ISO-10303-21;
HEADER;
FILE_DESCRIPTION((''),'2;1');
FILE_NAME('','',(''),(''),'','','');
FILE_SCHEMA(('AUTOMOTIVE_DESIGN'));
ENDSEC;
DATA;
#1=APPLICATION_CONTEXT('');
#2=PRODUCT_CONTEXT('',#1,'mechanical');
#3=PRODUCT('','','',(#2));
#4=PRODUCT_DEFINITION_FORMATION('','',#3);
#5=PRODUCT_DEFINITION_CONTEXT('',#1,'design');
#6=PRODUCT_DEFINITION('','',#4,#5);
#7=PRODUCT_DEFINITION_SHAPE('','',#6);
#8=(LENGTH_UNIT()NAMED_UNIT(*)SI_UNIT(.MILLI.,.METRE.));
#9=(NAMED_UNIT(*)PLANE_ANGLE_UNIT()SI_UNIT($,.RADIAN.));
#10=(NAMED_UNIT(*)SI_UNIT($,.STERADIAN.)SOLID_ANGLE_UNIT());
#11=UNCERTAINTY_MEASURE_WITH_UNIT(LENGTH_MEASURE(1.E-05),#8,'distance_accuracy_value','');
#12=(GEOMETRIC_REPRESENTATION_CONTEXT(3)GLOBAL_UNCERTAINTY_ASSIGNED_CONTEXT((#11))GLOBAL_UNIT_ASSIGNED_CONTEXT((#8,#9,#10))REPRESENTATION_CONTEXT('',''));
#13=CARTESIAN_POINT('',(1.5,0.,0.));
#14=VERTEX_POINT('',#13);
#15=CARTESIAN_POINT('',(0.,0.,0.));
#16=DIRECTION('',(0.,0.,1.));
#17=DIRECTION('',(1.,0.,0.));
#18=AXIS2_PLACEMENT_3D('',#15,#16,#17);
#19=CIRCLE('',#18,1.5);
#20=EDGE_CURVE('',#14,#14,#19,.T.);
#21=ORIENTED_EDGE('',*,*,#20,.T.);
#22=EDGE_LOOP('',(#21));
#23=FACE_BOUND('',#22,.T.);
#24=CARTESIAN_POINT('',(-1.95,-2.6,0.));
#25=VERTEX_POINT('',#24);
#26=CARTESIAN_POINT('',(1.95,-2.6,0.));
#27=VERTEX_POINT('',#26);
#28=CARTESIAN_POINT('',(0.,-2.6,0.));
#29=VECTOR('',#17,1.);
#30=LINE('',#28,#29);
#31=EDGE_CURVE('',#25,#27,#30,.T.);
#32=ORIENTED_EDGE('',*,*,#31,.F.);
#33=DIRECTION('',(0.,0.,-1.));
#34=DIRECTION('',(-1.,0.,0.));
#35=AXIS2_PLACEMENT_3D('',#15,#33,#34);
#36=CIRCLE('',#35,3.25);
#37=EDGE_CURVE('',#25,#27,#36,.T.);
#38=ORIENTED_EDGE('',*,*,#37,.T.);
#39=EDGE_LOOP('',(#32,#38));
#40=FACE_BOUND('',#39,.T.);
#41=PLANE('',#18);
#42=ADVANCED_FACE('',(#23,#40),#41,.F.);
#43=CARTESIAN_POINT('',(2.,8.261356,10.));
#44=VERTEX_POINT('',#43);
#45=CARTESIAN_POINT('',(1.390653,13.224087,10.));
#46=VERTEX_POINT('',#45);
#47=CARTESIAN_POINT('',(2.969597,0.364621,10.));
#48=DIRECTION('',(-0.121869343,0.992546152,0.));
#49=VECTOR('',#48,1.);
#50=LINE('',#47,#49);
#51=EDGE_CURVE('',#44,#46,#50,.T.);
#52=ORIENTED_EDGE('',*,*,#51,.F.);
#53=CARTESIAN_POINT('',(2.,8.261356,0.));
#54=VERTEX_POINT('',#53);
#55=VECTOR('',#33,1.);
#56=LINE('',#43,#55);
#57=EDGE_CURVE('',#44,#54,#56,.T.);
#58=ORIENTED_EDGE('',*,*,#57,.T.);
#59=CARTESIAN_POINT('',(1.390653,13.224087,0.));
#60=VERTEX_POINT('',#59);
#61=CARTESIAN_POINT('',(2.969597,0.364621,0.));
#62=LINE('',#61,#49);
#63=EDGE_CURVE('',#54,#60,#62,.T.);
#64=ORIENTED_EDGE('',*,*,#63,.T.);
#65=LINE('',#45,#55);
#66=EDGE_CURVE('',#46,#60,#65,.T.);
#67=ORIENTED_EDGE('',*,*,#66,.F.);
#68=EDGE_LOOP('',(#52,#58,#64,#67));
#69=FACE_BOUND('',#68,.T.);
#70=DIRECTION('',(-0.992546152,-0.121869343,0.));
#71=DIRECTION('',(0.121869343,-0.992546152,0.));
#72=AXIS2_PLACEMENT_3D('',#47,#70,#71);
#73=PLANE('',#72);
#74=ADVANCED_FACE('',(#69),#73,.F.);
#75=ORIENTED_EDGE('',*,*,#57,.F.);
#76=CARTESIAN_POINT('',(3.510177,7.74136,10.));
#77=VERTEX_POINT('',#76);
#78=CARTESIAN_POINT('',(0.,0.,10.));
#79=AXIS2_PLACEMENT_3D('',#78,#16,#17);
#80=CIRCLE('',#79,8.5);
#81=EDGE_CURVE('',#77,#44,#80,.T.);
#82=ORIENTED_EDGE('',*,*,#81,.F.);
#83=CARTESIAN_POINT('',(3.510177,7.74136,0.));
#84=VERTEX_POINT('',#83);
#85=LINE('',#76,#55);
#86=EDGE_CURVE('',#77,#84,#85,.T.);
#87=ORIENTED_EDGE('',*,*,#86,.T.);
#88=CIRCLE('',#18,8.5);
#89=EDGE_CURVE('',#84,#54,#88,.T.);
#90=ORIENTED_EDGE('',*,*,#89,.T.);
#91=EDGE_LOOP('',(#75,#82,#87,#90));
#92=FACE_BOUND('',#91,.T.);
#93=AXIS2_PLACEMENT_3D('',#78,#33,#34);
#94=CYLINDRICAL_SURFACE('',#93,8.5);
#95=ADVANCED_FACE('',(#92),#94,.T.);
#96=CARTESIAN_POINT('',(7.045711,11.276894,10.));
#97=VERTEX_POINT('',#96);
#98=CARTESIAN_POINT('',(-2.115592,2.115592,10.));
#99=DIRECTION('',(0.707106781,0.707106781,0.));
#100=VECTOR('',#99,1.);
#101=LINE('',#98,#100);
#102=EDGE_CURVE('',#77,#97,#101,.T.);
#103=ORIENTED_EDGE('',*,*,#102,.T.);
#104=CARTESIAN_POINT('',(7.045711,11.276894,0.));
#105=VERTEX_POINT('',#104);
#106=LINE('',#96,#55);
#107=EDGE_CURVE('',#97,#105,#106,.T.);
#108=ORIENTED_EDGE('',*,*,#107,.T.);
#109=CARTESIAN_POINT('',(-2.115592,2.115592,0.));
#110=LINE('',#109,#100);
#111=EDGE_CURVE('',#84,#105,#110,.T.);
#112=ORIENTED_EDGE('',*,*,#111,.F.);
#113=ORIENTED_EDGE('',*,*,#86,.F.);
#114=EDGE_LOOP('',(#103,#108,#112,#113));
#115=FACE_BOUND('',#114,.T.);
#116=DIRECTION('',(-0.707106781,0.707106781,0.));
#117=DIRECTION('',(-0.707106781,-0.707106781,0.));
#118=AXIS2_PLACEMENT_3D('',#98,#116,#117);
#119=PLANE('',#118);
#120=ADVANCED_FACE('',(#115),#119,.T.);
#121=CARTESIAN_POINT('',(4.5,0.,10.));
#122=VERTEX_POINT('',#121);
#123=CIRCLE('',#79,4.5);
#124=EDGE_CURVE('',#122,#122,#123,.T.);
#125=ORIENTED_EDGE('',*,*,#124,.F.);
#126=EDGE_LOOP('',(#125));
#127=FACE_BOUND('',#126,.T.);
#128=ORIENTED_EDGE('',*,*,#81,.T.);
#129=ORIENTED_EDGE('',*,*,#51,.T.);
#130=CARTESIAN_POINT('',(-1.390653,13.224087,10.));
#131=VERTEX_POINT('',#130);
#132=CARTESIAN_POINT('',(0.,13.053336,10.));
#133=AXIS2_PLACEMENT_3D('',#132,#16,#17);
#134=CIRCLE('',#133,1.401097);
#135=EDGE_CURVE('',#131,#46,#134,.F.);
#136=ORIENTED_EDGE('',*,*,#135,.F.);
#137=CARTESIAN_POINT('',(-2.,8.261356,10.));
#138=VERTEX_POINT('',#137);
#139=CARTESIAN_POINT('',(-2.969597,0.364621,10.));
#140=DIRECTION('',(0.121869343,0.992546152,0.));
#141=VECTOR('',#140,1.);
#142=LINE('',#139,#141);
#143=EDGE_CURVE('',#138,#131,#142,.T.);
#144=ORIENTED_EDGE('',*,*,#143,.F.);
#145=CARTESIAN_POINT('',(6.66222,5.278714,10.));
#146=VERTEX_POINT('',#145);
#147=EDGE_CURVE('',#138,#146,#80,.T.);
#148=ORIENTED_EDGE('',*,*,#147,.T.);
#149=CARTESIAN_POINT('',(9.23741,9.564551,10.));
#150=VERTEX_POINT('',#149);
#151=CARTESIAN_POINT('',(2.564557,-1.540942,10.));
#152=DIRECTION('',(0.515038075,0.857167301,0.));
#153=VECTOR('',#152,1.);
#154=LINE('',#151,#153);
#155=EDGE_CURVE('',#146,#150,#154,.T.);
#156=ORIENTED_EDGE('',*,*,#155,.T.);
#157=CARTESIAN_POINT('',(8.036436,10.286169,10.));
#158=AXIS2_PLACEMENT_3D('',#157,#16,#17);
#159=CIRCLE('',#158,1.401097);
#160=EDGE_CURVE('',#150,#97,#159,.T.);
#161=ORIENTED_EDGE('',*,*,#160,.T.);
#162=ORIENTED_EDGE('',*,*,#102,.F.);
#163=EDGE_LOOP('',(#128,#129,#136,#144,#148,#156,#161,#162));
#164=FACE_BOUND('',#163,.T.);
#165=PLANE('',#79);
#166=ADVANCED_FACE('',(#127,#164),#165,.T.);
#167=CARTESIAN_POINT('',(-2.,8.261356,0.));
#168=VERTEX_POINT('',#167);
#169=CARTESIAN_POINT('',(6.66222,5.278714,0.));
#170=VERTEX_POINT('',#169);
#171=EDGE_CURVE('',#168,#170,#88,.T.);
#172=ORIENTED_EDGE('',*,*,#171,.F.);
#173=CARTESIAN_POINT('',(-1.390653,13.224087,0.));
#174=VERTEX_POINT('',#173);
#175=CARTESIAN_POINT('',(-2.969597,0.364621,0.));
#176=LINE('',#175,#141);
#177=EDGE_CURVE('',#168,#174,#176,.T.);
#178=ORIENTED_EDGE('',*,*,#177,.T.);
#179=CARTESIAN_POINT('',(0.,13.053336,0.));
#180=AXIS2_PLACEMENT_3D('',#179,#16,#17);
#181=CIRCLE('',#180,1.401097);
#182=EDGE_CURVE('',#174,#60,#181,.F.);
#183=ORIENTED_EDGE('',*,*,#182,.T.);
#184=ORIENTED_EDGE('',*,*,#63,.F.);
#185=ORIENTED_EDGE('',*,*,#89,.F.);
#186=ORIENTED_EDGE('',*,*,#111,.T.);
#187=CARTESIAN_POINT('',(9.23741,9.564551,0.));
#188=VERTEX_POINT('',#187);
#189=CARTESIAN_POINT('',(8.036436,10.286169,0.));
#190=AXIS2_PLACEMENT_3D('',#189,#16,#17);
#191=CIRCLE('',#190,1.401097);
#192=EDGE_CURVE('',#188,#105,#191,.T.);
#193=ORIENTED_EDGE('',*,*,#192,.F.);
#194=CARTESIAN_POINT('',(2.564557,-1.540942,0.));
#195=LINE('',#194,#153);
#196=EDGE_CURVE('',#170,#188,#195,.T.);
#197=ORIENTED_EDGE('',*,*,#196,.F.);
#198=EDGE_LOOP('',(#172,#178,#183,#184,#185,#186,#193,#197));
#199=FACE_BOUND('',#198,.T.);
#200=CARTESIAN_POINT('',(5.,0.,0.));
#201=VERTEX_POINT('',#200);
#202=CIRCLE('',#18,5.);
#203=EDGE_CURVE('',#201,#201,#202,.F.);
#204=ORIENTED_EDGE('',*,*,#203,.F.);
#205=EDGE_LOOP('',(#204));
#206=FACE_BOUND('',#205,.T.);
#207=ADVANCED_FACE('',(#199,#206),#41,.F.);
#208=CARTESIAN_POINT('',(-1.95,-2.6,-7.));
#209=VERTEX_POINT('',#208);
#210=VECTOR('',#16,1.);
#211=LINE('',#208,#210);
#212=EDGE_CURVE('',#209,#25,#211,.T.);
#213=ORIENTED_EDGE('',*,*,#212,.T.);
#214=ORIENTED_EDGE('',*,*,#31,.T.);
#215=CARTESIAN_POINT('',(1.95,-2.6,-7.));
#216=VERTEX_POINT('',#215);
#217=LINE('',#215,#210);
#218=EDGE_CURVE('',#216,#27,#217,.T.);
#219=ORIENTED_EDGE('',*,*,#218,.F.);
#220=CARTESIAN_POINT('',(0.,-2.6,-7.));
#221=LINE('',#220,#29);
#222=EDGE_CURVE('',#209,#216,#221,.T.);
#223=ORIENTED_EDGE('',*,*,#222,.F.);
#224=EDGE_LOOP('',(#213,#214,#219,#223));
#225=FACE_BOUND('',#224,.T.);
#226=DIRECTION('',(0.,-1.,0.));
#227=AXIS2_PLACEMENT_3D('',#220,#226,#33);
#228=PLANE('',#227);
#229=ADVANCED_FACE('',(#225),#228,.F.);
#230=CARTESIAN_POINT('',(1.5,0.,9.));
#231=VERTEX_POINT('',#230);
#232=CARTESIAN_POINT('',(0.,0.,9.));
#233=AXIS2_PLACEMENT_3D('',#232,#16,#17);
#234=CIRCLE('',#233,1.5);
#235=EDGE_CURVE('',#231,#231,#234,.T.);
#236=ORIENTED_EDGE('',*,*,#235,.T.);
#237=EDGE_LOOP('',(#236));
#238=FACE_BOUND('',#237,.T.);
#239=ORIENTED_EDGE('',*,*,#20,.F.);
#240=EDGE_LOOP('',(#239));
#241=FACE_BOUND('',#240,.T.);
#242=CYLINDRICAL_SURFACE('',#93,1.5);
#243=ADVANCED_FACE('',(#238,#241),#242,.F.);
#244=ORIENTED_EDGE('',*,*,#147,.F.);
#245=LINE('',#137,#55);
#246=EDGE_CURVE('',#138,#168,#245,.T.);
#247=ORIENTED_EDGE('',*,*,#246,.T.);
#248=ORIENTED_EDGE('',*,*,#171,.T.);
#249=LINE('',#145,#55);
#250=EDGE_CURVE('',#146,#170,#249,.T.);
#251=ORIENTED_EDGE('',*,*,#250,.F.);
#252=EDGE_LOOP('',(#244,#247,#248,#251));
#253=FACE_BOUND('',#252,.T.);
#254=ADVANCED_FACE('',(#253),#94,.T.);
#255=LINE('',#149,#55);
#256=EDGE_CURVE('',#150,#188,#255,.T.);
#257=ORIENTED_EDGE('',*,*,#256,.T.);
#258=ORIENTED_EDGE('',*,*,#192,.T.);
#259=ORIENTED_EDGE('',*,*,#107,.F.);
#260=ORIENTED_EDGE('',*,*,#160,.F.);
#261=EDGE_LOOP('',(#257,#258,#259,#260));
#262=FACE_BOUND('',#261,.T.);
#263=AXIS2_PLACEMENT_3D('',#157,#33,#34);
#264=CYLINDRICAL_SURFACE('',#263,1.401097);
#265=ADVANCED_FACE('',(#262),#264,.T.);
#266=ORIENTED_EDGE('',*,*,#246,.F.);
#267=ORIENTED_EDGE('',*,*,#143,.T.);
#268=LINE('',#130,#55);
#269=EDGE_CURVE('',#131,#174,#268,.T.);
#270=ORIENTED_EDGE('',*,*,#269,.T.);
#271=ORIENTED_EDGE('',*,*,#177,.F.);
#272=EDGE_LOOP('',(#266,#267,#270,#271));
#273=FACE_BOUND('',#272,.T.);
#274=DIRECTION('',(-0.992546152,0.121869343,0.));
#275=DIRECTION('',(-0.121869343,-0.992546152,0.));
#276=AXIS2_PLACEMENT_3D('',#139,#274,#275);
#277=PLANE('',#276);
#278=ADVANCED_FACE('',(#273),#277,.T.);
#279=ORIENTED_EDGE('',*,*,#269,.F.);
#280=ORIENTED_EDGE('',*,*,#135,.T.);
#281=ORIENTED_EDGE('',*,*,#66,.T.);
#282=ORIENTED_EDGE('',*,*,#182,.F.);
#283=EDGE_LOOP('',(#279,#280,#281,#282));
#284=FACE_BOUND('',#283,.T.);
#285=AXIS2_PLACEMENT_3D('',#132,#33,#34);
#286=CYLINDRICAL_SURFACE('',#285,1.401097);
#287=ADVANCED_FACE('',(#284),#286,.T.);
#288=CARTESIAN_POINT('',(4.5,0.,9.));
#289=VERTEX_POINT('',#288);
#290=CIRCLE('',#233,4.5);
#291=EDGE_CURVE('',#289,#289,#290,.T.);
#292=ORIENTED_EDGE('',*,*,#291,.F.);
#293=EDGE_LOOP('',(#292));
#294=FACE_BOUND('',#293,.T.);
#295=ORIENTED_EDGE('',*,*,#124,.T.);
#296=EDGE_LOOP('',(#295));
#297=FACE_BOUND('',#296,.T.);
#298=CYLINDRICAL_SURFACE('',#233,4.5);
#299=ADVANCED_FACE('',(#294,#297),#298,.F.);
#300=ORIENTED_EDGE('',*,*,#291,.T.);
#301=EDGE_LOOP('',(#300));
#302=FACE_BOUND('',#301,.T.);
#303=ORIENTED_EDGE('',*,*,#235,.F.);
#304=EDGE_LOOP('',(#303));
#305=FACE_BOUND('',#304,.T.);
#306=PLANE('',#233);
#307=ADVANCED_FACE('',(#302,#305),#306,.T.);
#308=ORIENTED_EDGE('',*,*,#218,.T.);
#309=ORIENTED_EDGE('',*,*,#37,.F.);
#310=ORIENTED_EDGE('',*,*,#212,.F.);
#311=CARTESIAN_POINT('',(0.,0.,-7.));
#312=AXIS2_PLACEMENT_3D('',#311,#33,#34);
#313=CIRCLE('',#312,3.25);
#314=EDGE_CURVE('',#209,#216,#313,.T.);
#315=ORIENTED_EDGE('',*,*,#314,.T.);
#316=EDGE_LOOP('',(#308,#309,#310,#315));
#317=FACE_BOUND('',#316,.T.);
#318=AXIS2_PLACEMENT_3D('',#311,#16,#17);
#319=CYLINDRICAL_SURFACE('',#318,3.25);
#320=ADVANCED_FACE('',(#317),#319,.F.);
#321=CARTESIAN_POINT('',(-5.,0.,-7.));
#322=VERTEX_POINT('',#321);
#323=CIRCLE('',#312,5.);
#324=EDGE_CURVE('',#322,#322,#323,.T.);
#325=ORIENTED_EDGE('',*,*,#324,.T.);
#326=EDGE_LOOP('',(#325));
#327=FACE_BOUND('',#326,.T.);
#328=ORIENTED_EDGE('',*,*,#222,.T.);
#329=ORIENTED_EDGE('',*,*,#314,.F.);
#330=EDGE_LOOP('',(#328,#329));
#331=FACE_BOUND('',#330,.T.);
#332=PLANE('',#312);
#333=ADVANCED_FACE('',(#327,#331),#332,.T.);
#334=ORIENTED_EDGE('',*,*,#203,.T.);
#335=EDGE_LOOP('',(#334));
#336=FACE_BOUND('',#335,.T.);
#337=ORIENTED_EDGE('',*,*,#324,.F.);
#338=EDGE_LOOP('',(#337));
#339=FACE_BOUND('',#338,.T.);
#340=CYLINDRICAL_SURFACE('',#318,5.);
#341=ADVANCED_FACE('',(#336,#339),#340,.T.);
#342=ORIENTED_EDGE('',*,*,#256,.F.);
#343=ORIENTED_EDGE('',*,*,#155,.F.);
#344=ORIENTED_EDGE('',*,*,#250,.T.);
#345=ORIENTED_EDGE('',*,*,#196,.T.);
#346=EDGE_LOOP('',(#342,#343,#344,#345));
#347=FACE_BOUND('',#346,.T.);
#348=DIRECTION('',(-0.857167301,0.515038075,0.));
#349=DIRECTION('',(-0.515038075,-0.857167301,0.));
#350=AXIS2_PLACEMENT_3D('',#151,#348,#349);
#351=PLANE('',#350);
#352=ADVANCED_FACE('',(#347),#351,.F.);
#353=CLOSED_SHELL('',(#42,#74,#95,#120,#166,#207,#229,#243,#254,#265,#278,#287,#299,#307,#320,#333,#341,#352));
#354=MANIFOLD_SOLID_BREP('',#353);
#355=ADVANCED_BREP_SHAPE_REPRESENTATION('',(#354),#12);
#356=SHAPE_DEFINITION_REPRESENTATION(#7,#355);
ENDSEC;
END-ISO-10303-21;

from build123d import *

# Parameters (mm, degrees)
SKETCH1_R           = 1.5
BOSS_EXTRUDE1_DEPTH = 10
SKETCH5_R           = 5
BOSS_EXTRUDE3_DEPTH = 7
SKETCH8_R           = 4.5
CUT_EXTRUDE2_DEPTH  = 1


with BuildPart() as part:
    # Sketch1 → Boss-Extrude1 (new body)
    with BuildSketch(Plane.XY):
        with BuildLine():
            Line((-1.390653283, 13.224086579), (-2, 8.261355821))
            ThreePointArc((-2, 8.261355821), (-2.767329313, -8.036907893), (6.66222002, 5.278714276))
            Line((6.66222002, 5.278714276), (9.237410395, 9.564550779))
            ThreePointArc((9.237410395, 9.564550779), (8.899037344, 11.390248383), (7.045710912, 11.276894083))
            Line((7.045710912, 11.276894083), (3.510177006, 7.741360177))
            ThreePointArc((3.510177006, 7.741360177), (2.767329313, 8.036907893), (2, 8.261355821))
            Line((2, 8.261355821), (1.390653283, 13.224086579))
            ThreePointArc((1.390653283, 13.224086579), (0, 14.454432673), (-1.390653283, 13.224086579))
        make_face()
        Circle(SKETCH1_R, mode=Mode.SUBTRACT)
    extrude(amount=BOSS_EXTRUDE1_DEPTH)

    # Sketch5 → Boss-Extrude3 (add)
    with BuildSketch(Plane(origin=(0, 0, 0), x_dir=(-1, 0, 0), z_dir=(0, 0, -1))):
        with Locations(Location((0, 0, 0), (0, 0, 180))):
            Circle(SKETCH5_R)
        with BuildLine():
            Line((1.95, -2.6), (-1.95, -2.6))
            ThreePointArc((-1.95, -2.6), (0, 3.25), (1.95, -2.6))
        make_face(mode=Mode.SUBTRACT)
    extrude(amount=BOSS_EXTRUDE3_DEPTH)

    # Sketch8 → Cut-Extrude2 (cut)
    with BuildSketch(Plane.XY.offset(10)):
        Circle(SKETCH8_R)
    extrude(amount=-CUT_EXTRUDE2_DEPTH, mode=Mode.SUBTRACT)


solid = part.part
